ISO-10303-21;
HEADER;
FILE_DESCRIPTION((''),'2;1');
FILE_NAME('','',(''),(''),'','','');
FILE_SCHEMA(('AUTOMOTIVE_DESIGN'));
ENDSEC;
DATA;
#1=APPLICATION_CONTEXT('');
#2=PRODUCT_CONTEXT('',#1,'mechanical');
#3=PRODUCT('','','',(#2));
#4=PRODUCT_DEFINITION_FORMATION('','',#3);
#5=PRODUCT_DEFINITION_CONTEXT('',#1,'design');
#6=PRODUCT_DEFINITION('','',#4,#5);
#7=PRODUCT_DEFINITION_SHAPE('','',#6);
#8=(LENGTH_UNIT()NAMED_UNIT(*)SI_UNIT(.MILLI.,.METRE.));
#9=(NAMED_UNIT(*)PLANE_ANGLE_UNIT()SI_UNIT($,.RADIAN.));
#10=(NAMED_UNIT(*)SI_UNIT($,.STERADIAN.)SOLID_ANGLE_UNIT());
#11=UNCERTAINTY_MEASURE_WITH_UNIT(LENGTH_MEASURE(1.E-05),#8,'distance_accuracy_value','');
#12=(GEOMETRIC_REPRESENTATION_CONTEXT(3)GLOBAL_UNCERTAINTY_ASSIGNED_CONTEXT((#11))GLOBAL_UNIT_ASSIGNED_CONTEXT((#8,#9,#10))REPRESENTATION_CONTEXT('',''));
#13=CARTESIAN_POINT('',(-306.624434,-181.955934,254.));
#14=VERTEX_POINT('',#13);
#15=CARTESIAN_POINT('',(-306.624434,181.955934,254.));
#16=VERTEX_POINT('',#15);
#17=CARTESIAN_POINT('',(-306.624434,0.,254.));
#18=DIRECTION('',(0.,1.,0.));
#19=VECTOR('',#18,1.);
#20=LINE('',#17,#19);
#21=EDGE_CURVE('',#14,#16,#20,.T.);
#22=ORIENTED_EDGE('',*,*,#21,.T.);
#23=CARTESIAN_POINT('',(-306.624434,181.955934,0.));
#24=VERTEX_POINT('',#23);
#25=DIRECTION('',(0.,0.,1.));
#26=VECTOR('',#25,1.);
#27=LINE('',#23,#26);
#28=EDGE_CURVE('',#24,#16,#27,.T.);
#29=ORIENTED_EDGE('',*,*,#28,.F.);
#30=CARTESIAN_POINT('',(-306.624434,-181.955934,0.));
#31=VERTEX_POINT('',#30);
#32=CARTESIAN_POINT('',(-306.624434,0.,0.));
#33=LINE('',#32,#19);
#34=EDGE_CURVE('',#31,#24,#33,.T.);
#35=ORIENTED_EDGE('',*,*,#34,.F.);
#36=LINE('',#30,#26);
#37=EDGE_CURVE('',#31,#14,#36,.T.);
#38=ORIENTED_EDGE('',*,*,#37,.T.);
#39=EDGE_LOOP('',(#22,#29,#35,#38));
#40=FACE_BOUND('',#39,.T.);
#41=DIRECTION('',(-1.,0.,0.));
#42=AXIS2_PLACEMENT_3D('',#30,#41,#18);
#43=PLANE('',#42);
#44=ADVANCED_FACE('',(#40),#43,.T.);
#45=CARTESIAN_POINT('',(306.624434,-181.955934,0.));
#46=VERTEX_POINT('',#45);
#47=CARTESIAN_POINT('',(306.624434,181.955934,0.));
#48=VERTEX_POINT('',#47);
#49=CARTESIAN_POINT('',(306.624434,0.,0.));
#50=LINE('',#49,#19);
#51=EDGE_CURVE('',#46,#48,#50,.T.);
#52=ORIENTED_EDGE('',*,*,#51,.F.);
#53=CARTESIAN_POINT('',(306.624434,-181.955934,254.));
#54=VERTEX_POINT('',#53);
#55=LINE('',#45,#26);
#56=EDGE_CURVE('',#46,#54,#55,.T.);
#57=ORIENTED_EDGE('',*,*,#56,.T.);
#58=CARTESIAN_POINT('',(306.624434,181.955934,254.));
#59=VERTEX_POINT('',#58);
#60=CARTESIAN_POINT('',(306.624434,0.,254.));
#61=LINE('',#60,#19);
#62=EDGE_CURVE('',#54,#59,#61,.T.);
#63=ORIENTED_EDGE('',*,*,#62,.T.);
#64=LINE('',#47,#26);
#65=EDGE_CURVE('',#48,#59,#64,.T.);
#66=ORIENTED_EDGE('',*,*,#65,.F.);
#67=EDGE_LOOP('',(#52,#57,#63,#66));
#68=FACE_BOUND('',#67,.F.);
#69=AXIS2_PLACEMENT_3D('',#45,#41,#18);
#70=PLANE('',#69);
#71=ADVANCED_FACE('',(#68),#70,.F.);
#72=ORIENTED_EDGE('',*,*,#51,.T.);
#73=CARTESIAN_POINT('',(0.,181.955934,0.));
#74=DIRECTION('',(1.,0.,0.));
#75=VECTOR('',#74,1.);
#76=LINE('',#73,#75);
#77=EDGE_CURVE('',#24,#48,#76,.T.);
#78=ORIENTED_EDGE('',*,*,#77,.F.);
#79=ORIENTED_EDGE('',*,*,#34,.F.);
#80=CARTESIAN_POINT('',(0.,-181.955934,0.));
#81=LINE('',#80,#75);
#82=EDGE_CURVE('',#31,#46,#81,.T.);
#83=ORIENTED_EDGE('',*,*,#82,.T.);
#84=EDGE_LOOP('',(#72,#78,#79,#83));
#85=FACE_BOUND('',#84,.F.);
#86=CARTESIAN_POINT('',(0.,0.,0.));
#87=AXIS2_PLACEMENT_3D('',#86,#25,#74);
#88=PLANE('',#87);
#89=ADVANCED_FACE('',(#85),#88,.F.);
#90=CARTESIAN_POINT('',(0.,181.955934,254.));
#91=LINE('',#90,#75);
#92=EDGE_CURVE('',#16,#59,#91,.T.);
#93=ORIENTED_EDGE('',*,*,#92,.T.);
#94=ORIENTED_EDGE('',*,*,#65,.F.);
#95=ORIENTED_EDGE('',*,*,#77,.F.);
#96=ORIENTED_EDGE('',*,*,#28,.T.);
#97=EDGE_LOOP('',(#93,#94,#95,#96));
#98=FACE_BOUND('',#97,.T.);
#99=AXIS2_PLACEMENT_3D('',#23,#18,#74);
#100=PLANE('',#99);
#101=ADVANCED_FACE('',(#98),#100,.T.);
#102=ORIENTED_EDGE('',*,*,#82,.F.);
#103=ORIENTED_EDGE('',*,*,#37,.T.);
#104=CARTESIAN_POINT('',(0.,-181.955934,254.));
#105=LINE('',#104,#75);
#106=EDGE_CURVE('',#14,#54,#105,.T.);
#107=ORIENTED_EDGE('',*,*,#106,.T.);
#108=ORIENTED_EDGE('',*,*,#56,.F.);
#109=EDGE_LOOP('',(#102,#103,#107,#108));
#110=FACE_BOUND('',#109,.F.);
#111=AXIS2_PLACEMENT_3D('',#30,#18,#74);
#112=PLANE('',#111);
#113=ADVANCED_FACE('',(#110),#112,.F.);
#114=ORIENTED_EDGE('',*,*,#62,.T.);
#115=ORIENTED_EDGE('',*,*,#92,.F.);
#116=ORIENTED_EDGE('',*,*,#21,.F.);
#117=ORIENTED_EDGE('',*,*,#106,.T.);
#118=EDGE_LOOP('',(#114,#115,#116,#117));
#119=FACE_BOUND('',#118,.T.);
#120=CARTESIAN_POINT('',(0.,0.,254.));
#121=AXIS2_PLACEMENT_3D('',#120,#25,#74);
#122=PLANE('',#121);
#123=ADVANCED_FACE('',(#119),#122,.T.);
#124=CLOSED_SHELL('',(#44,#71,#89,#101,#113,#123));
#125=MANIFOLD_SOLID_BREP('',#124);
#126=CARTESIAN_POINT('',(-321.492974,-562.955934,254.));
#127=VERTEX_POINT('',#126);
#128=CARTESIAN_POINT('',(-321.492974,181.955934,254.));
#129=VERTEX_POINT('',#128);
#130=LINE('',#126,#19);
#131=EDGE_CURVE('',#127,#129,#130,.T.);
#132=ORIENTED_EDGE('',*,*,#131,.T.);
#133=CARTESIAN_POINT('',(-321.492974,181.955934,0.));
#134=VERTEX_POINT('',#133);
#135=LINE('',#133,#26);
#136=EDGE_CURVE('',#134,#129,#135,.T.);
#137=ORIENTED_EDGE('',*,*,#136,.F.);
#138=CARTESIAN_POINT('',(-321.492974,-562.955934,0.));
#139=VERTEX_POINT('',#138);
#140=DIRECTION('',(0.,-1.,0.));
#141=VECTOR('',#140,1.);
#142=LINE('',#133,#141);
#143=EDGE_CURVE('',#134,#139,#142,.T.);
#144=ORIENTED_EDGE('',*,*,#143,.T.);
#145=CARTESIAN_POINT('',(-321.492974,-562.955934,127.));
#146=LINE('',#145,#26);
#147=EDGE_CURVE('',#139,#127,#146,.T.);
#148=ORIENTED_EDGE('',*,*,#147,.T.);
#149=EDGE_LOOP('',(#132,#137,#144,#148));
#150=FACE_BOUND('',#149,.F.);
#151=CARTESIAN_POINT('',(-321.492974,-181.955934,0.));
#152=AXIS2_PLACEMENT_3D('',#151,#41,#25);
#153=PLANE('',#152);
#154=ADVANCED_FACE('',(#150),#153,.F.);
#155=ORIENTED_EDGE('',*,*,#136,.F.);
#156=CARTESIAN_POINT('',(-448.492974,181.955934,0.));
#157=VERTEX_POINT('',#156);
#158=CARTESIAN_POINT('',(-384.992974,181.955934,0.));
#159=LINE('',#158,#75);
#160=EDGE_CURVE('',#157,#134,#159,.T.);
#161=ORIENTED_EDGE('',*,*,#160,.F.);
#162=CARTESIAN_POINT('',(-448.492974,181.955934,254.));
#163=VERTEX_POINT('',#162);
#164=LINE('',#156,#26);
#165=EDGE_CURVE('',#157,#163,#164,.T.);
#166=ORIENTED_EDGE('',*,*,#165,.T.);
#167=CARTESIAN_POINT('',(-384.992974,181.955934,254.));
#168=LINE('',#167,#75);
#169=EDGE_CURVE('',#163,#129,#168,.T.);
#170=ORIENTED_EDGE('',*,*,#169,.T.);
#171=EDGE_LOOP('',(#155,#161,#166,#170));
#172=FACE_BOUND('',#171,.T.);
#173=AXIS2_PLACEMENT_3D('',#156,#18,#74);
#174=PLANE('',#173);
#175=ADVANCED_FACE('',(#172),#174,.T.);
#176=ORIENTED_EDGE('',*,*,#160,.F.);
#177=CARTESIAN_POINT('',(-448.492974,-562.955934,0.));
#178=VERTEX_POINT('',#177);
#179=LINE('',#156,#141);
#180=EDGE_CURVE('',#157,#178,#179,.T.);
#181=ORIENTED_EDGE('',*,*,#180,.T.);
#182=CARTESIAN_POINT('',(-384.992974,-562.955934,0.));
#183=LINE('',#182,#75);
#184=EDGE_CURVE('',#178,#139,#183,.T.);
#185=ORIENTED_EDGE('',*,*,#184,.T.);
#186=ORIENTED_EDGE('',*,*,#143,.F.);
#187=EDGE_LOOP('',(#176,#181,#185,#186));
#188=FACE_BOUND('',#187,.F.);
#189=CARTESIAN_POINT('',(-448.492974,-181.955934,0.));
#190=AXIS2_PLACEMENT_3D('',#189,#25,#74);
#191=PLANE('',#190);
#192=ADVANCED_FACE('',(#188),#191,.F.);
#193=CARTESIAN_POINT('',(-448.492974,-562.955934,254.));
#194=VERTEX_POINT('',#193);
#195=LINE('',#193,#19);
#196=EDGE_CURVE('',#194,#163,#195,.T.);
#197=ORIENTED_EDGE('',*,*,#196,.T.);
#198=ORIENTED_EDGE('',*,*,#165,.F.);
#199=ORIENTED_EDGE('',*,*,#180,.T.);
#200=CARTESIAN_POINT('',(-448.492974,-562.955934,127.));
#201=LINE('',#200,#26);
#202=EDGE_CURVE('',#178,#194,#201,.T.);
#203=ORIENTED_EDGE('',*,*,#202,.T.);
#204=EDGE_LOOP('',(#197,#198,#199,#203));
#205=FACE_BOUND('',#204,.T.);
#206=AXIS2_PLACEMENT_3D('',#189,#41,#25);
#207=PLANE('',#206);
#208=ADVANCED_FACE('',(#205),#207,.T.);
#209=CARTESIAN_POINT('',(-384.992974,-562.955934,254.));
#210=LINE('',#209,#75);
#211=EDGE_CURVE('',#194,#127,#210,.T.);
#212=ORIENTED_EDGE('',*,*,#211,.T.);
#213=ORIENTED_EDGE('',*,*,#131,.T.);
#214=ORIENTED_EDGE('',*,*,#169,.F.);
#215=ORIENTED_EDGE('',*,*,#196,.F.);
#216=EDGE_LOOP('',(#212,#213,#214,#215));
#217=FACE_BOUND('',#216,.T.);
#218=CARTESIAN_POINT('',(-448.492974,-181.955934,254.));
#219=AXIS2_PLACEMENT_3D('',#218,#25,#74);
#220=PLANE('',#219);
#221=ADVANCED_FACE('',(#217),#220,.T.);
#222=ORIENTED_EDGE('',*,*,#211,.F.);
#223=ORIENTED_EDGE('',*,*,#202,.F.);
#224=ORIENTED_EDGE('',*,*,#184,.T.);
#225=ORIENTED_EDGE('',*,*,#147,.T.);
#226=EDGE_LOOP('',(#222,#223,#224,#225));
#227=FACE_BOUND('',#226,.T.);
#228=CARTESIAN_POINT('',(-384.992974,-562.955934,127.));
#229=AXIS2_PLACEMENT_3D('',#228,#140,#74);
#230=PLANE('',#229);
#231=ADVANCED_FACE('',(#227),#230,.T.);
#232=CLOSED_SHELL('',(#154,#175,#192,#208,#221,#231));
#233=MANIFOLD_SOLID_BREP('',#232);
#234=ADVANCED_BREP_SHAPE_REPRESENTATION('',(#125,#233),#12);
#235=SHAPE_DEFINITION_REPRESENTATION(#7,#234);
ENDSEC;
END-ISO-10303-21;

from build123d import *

# Parameters (mm, degrees)
F0_W      = 127
F0_H      = 363.911868
F0_W_2    = 613.248868
F1_DEPTH  = 254
F1_FACE_W = 127
F1_FACE_H = 254
F2_DEPTH  = 381


with BuildPart() as f1:
    # F0 (on Top) → F1 (new body)
    with BuildSketch(Plane.XY):
        with Locations((-384.992974, 0)):
            Rectangle(F0_W, F0_H)
        Rectangle(F0_W_2, F0_H)
    extrude(amount=F1_DEPTH)

    # F1_face (on face) → F2 (join)
    with BuildSketch(Plane(origin=(-384.992974, -181.955934, 127), x_dir=(1, 0, 0), z_dir=(0, -1, 0))):
        Rectangle(F1_FACE_W, F1_FACE_H)
    extrude(amount=F2_DEPTH)


solid = f1.part
